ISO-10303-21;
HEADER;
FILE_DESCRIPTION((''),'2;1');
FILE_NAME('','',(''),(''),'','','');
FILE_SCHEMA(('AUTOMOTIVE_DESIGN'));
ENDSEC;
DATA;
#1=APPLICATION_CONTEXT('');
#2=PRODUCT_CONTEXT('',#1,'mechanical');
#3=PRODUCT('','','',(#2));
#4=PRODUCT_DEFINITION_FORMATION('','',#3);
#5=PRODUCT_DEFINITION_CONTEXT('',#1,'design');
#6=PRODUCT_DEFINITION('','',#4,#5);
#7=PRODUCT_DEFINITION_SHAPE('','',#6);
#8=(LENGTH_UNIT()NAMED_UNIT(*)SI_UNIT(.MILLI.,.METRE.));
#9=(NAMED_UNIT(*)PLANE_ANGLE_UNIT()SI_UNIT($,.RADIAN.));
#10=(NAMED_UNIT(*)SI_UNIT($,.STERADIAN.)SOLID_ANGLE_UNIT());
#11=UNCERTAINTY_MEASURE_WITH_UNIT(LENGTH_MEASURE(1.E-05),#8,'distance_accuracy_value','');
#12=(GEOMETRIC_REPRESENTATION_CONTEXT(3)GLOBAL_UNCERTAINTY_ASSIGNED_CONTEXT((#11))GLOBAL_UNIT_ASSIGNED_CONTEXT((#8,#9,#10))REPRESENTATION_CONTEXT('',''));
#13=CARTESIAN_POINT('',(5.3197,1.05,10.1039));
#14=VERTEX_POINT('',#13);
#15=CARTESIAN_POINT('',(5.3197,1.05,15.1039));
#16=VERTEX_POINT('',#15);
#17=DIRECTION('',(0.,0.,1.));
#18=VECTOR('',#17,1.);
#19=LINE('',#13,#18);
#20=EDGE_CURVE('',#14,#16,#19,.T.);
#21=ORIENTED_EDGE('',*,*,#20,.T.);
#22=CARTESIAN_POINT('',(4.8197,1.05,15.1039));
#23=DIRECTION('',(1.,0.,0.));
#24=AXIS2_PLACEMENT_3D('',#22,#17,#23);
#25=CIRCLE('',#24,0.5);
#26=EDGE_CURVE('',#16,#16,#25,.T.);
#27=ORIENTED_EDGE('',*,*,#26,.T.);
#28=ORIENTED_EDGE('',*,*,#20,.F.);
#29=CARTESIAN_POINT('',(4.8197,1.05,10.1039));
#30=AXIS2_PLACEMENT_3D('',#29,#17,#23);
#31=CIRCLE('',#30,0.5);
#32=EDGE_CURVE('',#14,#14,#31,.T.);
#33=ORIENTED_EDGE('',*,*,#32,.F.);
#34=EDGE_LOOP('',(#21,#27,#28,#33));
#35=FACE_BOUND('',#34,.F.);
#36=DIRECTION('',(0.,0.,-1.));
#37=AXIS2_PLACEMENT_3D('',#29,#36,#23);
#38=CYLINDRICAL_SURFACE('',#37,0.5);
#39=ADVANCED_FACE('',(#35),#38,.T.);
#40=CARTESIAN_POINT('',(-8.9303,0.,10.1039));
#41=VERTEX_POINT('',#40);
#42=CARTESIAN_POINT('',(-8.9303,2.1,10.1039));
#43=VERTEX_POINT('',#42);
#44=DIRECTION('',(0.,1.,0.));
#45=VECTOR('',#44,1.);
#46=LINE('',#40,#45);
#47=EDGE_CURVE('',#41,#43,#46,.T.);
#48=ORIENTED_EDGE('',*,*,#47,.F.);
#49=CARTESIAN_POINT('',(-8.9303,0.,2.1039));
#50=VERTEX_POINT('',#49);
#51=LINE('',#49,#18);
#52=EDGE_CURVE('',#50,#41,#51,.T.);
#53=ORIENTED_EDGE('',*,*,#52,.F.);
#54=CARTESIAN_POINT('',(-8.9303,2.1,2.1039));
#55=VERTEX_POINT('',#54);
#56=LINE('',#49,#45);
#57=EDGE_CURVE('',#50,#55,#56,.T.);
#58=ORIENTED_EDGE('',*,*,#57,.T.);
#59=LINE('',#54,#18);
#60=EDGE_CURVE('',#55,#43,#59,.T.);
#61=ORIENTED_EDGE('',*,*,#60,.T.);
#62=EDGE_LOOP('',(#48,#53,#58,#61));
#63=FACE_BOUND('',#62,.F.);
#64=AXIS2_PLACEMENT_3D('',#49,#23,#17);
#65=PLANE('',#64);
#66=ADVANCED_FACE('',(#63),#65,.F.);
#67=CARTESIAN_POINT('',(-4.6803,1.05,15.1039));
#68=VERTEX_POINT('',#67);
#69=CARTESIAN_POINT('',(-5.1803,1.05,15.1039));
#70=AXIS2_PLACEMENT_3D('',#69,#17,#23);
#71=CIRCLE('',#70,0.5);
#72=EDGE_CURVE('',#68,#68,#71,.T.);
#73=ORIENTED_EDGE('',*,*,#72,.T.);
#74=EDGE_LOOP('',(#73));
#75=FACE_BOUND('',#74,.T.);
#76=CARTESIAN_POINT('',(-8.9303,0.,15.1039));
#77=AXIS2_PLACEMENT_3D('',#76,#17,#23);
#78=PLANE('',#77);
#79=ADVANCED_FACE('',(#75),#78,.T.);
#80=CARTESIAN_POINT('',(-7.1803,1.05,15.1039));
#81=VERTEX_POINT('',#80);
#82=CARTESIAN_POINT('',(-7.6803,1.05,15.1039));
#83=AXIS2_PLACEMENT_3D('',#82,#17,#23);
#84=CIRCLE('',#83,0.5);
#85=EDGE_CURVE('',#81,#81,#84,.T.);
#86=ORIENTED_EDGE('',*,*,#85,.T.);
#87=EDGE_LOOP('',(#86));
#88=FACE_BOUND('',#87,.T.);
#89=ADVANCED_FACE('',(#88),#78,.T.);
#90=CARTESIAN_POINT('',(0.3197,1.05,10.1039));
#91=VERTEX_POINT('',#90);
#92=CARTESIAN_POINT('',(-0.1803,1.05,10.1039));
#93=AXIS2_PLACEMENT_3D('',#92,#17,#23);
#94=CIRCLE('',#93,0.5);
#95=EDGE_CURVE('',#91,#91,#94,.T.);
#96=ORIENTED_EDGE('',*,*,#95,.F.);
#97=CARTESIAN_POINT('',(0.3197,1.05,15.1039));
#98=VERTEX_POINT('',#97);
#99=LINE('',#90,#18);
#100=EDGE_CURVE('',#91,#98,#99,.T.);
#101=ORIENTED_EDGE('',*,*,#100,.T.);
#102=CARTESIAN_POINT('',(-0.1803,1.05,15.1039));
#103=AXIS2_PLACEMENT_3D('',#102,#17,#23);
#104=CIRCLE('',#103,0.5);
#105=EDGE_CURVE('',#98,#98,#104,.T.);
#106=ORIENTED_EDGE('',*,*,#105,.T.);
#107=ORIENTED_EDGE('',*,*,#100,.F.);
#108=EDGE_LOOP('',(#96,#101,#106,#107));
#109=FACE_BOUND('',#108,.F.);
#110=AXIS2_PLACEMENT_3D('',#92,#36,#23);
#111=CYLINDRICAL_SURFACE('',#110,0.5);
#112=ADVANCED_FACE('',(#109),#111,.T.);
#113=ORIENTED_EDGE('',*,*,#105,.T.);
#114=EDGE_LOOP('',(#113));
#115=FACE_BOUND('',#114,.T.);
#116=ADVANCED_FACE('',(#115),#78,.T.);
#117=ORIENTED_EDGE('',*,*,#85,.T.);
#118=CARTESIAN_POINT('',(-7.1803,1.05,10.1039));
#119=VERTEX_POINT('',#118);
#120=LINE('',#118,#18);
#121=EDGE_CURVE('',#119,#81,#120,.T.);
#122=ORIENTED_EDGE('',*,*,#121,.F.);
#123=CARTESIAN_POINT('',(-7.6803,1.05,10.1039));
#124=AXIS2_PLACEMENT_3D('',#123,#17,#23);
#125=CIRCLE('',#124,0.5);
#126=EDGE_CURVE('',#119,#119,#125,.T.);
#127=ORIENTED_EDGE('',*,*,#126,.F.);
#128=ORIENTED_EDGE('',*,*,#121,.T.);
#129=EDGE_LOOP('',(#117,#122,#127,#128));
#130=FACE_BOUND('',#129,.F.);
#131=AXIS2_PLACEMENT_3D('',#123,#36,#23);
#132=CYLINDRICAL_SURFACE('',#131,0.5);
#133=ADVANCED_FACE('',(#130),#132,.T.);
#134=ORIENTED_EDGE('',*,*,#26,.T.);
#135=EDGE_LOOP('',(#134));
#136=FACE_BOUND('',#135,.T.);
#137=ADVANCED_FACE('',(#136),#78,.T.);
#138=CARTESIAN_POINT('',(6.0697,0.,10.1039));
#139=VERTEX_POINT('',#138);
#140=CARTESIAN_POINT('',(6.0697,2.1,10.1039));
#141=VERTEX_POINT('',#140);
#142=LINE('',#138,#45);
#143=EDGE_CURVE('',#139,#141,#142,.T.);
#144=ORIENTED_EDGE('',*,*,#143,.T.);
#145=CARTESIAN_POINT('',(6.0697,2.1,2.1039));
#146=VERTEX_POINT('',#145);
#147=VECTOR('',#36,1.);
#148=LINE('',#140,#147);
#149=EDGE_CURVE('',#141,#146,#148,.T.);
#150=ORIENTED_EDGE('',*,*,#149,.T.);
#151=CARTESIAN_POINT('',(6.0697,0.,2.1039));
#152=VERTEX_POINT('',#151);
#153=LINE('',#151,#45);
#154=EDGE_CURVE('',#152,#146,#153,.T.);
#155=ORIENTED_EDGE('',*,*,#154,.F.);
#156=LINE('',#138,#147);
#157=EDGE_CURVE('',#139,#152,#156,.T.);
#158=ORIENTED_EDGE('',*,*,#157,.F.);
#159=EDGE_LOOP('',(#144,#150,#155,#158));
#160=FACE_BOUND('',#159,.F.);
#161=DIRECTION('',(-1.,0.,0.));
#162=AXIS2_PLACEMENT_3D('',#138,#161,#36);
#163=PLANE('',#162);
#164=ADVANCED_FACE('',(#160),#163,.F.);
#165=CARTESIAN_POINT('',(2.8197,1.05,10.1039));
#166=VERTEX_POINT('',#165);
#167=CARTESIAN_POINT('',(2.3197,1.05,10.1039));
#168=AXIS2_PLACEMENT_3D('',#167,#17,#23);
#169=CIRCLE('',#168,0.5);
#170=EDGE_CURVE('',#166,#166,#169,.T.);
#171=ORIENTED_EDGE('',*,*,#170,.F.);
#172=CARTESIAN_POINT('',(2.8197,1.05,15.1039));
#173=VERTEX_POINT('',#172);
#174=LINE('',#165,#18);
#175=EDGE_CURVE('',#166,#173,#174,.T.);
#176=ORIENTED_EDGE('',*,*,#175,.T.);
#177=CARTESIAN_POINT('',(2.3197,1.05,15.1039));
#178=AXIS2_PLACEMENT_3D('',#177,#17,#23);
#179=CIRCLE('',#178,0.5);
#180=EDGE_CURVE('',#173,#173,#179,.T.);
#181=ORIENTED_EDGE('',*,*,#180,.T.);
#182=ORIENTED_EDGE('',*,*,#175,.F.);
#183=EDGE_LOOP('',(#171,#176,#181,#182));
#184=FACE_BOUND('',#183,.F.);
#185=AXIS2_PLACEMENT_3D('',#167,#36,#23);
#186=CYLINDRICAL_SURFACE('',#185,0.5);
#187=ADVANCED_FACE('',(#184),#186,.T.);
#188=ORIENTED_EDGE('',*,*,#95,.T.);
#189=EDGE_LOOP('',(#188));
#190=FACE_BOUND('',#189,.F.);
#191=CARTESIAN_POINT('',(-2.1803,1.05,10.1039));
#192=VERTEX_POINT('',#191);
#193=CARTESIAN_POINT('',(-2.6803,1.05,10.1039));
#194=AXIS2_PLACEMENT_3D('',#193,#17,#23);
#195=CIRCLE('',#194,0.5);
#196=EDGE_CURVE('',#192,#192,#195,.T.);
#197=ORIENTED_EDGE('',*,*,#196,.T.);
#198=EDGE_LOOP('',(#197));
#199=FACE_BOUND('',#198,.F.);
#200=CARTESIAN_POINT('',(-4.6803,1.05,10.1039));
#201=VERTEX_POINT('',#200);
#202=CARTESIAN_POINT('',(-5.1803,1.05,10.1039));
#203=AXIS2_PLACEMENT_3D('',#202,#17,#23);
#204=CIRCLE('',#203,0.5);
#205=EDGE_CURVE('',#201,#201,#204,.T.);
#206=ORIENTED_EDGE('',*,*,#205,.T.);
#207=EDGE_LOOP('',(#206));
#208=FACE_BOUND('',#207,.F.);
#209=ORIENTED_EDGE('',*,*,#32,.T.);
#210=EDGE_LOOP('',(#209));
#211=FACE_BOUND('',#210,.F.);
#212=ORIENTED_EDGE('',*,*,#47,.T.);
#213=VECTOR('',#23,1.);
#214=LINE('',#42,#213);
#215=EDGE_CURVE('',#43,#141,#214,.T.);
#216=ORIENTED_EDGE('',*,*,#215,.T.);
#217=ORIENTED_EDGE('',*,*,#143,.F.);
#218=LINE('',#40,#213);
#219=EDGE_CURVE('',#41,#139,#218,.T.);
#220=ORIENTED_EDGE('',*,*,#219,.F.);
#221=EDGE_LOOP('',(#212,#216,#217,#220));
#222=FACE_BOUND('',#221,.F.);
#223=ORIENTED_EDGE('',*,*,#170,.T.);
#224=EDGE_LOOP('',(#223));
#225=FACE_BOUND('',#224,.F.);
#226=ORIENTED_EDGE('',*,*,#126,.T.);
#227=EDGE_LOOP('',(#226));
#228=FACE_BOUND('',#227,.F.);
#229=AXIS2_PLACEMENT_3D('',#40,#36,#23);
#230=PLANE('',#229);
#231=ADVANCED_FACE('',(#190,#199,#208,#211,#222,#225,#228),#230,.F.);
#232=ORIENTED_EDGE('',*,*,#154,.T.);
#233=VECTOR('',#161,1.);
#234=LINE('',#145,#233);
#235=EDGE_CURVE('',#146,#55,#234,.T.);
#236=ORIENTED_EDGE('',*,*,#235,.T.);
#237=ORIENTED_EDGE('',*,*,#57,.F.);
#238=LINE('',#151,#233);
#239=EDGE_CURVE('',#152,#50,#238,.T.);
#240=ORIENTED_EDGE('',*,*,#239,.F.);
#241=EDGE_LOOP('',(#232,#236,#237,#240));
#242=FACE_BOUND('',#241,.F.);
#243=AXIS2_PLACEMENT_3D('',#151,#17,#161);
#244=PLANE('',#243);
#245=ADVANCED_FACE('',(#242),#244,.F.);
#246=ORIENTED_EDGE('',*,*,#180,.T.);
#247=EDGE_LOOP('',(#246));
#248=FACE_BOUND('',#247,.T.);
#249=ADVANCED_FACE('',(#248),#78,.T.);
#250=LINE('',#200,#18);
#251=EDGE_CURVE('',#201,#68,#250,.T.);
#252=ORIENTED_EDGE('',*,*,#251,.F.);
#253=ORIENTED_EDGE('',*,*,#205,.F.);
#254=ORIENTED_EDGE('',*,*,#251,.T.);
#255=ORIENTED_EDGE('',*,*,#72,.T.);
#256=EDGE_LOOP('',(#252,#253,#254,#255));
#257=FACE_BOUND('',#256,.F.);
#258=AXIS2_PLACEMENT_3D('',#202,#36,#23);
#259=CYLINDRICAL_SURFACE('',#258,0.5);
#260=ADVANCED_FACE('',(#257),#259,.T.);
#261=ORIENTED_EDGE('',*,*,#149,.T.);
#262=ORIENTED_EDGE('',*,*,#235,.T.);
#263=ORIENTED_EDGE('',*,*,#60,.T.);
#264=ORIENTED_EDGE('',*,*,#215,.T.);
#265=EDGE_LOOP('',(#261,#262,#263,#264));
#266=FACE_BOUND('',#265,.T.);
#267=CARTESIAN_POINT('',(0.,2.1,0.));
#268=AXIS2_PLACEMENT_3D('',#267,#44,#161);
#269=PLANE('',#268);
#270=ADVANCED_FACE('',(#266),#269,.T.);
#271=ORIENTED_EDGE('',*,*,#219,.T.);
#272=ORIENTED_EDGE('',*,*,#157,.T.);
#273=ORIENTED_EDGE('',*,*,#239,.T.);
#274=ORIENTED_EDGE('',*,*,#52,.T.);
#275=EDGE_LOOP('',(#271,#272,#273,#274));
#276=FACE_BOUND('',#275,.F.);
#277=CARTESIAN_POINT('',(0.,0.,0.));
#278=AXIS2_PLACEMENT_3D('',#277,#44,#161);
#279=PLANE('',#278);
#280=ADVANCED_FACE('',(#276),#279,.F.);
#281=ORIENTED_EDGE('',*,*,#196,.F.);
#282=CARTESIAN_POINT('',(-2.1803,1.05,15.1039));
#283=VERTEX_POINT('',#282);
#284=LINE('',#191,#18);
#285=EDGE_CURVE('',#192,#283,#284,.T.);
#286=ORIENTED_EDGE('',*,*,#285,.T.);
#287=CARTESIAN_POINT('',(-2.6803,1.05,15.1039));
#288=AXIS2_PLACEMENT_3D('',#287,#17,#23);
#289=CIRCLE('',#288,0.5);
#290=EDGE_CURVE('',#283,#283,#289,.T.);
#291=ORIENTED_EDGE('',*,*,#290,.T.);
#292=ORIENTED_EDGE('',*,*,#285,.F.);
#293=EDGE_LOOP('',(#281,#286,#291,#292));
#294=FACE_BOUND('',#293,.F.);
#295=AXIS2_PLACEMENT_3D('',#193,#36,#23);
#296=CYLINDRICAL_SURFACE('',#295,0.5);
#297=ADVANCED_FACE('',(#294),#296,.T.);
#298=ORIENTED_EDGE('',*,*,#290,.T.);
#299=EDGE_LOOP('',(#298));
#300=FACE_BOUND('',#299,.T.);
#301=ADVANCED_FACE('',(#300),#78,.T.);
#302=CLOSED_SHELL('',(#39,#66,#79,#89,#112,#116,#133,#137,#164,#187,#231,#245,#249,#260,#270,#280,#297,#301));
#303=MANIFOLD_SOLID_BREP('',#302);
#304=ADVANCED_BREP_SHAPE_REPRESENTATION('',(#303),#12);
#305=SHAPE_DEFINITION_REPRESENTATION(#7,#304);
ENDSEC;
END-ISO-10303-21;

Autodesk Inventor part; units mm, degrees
ref_plane "YZ Plane" through (0, 0, 0) normal (1, 0, 0) x (0, 1, 0)
ref_plane "XZ Plane" through (0, 0, 0) normal (0, 1, 0) x (-1, 0, 0)
ref_plane "XY Plane" through (0, 0, 0) normal (0, 0, 1) x (1, 0, 0)
sketch "Sketch1" plane through (0, 0, 0) normal (0, 1, 0) x (-1, 0, 0)
  line L0 (8.9303, 10.1039) -> (-6.0697, 10.1039)
  line L1 (-6.0697, 10.1039) -> (-6.0697, 2.1039)
  line L2 (-6.0697, 2.1039) -> (8.9303, 2.1039)
  line L3 (8.9303, 2.1039) -> (8.9303, 10.1039)
  point P0 (0, 0)
  point P1 (1.4303, 10.1039)
  dimension "d0" = 15
  dimension "d1" = 8
extrude "Extrusion1" add sketch "Sketch1" along normal blind 2.1
sketch "Sketch2" plane through (-8.9303, 0, 10.1039) normal (0, 0, 1) x (1, 0, 0)
  circle A0 centre (1.25, 1.05) radius 0.5
  circle A1 centre (3.75, 1.05) radius 0.5
  circle A2 centre (6.25, 1.05) radius 0.5
  circle A3 centre (8.75, 1.05) radius 0.5
  circle A4 centre (11.25, 1.05) radius 0.5
  circle A5 centre (13.75, 1.05) radius 0.5
  line L0 (0, 2.1) -> (15, 2.1) projected
  line L1 (15, 0) -> (0, 0) projected
  line L2 (7.5, 0) -> (7.5, 2.1)
  point P0 (8.9303, 0)
  dimension "d4" = 1
  dimension "d5" = 1
  dimension "d6" = 1
  dimension "d7" = 1
  dimension "d8" = 1
  dimension "d9" = 1
  dimension "d10" = 1.05
  dimension "d11" = 1.05
  dimension "d12" = 1.05
  dimension "d13" = 1.05
  dimension "d14" = 1.05
  dimension "d15" = 1.05
  dimension "d16" = 1.25
  dimension "d17" = 2.5
  dimension "d18" = 2.5
  dimension "d19" = 1.25
  dimension "d20" = 2.5
  dimension "d21" = 2.5
extrude "Extrusion2" add sketch "Sketch2" along normal blind 5
properties part number "connector"
